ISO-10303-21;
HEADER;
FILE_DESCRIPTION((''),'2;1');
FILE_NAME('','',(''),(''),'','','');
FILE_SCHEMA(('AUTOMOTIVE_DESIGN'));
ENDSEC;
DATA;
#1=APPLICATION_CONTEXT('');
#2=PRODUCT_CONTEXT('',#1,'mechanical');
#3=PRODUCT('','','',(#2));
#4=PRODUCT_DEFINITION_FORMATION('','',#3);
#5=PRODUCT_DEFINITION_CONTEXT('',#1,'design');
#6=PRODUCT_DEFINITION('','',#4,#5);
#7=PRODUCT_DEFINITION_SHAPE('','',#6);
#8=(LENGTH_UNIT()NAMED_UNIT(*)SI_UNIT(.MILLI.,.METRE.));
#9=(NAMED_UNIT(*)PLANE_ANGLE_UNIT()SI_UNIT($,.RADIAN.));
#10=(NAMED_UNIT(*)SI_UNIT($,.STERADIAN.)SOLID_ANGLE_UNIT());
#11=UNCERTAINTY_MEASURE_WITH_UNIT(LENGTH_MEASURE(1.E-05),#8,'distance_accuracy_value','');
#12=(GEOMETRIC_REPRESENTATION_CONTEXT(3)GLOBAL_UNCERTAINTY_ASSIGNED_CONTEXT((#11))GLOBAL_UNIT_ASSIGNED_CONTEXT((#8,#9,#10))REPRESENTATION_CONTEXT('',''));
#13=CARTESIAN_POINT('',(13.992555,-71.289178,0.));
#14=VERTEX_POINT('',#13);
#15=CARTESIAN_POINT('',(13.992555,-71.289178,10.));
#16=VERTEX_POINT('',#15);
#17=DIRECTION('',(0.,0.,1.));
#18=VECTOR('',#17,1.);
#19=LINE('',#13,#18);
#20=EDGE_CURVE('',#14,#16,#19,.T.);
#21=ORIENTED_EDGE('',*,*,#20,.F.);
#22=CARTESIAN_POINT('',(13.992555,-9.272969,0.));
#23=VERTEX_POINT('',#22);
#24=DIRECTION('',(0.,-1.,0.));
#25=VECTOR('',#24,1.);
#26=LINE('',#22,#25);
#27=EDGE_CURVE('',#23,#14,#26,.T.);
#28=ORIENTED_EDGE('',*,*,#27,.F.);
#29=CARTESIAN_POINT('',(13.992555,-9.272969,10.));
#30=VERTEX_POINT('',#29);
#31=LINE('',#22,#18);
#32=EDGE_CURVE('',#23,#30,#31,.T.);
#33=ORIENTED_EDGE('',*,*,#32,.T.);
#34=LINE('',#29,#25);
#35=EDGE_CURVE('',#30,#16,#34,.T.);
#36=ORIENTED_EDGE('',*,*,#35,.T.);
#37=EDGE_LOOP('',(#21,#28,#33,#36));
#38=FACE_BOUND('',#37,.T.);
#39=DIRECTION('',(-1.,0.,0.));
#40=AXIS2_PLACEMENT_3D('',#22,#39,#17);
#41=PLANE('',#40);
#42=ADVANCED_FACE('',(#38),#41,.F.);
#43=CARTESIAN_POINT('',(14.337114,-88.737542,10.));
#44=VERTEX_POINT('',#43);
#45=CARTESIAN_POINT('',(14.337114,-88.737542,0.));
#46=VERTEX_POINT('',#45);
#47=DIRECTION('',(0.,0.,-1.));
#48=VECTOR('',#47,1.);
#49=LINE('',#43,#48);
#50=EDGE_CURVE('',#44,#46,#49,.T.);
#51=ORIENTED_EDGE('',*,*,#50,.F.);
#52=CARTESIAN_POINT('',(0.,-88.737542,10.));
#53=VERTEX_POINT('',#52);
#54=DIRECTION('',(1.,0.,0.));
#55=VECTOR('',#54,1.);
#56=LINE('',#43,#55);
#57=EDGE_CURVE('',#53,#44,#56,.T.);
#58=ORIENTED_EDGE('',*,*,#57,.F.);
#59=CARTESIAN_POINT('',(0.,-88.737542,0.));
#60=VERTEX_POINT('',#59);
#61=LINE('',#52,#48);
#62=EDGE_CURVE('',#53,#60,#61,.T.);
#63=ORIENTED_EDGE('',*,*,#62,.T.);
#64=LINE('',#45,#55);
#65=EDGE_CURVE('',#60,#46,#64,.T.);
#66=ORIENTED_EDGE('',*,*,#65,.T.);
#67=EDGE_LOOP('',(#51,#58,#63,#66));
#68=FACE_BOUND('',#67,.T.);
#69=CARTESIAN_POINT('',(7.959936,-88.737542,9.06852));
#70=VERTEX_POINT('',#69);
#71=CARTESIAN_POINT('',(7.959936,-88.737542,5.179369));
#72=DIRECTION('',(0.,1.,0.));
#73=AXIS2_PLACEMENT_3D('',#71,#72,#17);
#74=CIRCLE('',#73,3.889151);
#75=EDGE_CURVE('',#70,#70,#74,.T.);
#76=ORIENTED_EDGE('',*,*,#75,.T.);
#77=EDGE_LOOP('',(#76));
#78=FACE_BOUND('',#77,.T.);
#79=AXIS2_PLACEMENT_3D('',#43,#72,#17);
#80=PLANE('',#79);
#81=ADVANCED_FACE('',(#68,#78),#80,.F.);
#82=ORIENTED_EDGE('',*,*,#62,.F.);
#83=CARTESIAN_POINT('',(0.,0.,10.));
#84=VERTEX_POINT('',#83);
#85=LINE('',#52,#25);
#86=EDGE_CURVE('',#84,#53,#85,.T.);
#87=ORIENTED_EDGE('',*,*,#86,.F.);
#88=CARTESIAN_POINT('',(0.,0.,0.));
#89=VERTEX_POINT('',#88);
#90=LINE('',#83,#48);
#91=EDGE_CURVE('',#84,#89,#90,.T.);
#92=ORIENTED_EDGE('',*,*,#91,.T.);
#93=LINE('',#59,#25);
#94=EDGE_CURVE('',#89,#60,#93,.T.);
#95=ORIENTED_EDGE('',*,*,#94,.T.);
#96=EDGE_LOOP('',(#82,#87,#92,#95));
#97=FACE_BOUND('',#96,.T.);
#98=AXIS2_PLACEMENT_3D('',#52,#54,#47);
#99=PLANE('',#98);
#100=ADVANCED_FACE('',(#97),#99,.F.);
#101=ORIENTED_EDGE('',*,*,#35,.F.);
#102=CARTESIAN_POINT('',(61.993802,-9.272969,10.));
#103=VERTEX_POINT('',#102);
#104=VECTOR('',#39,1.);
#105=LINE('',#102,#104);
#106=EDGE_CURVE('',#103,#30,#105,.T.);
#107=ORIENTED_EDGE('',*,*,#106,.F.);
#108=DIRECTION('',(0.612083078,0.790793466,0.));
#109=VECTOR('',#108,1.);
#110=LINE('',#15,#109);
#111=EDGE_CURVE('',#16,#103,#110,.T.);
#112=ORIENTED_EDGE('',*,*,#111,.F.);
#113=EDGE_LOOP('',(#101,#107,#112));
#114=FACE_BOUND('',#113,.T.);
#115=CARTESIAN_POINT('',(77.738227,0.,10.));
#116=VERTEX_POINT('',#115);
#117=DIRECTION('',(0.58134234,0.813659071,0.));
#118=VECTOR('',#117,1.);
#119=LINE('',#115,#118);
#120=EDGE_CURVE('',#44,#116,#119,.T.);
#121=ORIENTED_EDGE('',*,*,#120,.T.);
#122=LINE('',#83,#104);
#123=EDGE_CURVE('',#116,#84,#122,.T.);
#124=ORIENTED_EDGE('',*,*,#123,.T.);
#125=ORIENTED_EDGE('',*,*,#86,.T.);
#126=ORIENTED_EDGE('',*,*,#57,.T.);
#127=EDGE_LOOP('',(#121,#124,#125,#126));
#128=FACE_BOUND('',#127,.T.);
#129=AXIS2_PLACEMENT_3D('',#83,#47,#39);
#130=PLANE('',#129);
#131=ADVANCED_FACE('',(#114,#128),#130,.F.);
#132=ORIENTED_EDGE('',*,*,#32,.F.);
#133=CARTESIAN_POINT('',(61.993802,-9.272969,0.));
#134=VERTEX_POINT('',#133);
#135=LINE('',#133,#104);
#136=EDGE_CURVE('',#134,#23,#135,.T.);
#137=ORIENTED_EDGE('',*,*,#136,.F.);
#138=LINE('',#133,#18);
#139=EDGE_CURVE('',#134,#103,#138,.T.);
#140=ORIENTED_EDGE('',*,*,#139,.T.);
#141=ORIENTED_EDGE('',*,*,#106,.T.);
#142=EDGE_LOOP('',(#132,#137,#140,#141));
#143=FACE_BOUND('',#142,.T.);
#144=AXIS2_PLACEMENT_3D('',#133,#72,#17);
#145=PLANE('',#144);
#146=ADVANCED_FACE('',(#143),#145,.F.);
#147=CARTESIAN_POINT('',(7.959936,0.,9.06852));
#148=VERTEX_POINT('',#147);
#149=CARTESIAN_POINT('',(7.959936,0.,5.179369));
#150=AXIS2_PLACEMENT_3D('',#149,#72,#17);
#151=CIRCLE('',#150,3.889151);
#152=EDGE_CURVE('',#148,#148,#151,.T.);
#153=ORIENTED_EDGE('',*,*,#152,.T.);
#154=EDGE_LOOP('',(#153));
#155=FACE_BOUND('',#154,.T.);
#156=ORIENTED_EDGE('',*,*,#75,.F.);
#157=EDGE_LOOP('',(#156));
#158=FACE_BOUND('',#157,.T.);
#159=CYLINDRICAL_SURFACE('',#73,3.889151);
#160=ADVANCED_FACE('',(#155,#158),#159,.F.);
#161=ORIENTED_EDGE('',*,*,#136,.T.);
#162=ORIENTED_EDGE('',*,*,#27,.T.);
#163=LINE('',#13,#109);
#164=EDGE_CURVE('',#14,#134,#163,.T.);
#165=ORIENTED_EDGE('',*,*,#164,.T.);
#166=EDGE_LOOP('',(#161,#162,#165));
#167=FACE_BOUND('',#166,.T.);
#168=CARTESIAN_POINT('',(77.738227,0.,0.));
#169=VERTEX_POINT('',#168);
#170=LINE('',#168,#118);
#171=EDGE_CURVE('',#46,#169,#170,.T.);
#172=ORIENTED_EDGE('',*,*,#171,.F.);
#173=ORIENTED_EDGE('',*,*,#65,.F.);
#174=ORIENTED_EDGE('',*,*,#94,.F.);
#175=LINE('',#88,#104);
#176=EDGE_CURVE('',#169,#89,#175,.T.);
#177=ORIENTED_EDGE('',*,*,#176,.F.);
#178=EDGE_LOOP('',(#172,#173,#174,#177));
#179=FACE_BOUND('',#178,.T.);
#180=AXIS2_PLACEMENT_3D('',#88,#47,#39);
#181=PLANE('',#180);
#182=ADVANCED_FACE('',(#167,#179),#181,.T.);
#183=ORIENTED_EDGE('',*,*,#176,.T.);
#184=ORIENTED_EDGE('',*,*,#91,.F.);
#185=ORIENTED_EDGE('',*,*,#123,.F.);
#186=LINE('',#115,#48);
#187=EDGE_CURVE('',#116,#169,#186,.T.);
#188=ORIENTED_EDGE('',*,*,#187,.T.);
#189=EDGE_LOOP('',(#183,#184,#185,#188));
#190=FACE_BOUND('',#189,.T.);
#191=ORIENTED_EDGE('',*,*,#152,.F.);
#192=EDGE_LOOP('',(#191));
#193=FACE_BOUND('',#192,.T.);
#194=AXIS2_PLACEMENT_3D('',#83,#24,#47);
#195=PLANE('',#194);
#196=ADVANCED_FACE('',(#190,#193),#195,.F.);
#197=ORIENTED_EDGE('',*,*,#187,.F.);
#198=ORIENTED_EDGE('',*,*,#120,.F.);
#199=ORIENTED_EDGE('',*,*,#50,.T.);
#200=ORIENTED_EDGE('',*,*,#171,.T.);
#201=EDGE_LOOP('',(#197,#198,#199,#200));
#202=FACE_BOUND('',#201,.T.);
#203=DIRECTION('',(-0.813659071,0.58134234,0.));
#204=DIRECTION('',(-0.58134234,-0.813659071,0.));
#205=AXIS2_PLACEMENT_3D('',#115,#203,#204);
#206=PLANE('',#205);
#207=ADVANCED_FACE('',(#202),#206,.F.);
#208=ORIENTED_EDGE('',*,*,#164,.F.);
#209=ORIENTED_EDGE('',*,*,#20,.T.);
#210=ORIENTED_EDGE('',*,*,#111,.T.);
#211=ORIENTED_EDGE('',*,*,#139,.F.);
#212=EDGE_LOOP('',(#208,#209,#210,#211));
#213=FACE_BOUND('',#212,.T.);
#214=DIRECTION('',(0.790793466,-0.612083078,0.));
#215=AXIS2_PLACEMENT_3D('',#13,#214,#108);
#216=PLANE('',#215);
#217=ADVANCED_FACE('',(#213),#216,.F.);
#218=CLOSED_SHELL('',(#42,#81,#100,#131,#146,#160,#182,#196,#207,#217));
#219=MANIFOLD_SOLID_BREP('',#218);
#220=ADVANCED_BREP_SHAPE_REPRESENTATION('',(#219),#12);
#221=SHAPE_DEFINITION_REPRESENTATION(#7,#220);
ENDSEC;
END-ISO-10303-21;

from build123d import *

# Parameters (mm, degrees)
BOSS_EXTRU_1_DEPTH      = 10
ESQUISSE2_R             = 3.889151143
ENL_V_MAT_EXTRU_1_DEPTH = 89.737541713
ENL_V_MAT_EXTRU_2_DEPTH = 11


with BuildPart() as part:
    # Esquisse1 → Boss.-Extru.1 (new body)
    with BuildSketch(Plane.XY):
        Polygon((0, 0), (77.738226815, 0), (14.337114468, -88.737541713), (0, -88.737541713), align=None)
    extrude(amount=BOSS_EXTRU_1_DEPTH)

    # Esquisse2 → Enlèv. mat.-Extru.1 (cut, through all)
    with BuildSketch(Plane(origin=(0, 0, 0), x_dir=(1, 0, 0), z_dir=(0, 1, 0))):
        with Locations((7.959936212, -5.179369155)):
            Circle(ESQUISSE2_R)
    extrude(amount=-ENL_V_MAT_EXTRU_1_DEPTH, mode=Mode.SUBTRACT)

    # Esquisse4 → Enlèv. mat.-Extru.2 (cut, through all)
    with BuildSketch(Plane.XY.offset(10)):
        Polygon((13.992554962, -9.272968918), (13.992554962, -71.289178), (61.99380154, -9.272968918), align=None)
    extrude(amount=-ENL_V_MAT_EXTRU_2_DEPTH, mode=Mode.SUBTRACT)


solid = part.part
